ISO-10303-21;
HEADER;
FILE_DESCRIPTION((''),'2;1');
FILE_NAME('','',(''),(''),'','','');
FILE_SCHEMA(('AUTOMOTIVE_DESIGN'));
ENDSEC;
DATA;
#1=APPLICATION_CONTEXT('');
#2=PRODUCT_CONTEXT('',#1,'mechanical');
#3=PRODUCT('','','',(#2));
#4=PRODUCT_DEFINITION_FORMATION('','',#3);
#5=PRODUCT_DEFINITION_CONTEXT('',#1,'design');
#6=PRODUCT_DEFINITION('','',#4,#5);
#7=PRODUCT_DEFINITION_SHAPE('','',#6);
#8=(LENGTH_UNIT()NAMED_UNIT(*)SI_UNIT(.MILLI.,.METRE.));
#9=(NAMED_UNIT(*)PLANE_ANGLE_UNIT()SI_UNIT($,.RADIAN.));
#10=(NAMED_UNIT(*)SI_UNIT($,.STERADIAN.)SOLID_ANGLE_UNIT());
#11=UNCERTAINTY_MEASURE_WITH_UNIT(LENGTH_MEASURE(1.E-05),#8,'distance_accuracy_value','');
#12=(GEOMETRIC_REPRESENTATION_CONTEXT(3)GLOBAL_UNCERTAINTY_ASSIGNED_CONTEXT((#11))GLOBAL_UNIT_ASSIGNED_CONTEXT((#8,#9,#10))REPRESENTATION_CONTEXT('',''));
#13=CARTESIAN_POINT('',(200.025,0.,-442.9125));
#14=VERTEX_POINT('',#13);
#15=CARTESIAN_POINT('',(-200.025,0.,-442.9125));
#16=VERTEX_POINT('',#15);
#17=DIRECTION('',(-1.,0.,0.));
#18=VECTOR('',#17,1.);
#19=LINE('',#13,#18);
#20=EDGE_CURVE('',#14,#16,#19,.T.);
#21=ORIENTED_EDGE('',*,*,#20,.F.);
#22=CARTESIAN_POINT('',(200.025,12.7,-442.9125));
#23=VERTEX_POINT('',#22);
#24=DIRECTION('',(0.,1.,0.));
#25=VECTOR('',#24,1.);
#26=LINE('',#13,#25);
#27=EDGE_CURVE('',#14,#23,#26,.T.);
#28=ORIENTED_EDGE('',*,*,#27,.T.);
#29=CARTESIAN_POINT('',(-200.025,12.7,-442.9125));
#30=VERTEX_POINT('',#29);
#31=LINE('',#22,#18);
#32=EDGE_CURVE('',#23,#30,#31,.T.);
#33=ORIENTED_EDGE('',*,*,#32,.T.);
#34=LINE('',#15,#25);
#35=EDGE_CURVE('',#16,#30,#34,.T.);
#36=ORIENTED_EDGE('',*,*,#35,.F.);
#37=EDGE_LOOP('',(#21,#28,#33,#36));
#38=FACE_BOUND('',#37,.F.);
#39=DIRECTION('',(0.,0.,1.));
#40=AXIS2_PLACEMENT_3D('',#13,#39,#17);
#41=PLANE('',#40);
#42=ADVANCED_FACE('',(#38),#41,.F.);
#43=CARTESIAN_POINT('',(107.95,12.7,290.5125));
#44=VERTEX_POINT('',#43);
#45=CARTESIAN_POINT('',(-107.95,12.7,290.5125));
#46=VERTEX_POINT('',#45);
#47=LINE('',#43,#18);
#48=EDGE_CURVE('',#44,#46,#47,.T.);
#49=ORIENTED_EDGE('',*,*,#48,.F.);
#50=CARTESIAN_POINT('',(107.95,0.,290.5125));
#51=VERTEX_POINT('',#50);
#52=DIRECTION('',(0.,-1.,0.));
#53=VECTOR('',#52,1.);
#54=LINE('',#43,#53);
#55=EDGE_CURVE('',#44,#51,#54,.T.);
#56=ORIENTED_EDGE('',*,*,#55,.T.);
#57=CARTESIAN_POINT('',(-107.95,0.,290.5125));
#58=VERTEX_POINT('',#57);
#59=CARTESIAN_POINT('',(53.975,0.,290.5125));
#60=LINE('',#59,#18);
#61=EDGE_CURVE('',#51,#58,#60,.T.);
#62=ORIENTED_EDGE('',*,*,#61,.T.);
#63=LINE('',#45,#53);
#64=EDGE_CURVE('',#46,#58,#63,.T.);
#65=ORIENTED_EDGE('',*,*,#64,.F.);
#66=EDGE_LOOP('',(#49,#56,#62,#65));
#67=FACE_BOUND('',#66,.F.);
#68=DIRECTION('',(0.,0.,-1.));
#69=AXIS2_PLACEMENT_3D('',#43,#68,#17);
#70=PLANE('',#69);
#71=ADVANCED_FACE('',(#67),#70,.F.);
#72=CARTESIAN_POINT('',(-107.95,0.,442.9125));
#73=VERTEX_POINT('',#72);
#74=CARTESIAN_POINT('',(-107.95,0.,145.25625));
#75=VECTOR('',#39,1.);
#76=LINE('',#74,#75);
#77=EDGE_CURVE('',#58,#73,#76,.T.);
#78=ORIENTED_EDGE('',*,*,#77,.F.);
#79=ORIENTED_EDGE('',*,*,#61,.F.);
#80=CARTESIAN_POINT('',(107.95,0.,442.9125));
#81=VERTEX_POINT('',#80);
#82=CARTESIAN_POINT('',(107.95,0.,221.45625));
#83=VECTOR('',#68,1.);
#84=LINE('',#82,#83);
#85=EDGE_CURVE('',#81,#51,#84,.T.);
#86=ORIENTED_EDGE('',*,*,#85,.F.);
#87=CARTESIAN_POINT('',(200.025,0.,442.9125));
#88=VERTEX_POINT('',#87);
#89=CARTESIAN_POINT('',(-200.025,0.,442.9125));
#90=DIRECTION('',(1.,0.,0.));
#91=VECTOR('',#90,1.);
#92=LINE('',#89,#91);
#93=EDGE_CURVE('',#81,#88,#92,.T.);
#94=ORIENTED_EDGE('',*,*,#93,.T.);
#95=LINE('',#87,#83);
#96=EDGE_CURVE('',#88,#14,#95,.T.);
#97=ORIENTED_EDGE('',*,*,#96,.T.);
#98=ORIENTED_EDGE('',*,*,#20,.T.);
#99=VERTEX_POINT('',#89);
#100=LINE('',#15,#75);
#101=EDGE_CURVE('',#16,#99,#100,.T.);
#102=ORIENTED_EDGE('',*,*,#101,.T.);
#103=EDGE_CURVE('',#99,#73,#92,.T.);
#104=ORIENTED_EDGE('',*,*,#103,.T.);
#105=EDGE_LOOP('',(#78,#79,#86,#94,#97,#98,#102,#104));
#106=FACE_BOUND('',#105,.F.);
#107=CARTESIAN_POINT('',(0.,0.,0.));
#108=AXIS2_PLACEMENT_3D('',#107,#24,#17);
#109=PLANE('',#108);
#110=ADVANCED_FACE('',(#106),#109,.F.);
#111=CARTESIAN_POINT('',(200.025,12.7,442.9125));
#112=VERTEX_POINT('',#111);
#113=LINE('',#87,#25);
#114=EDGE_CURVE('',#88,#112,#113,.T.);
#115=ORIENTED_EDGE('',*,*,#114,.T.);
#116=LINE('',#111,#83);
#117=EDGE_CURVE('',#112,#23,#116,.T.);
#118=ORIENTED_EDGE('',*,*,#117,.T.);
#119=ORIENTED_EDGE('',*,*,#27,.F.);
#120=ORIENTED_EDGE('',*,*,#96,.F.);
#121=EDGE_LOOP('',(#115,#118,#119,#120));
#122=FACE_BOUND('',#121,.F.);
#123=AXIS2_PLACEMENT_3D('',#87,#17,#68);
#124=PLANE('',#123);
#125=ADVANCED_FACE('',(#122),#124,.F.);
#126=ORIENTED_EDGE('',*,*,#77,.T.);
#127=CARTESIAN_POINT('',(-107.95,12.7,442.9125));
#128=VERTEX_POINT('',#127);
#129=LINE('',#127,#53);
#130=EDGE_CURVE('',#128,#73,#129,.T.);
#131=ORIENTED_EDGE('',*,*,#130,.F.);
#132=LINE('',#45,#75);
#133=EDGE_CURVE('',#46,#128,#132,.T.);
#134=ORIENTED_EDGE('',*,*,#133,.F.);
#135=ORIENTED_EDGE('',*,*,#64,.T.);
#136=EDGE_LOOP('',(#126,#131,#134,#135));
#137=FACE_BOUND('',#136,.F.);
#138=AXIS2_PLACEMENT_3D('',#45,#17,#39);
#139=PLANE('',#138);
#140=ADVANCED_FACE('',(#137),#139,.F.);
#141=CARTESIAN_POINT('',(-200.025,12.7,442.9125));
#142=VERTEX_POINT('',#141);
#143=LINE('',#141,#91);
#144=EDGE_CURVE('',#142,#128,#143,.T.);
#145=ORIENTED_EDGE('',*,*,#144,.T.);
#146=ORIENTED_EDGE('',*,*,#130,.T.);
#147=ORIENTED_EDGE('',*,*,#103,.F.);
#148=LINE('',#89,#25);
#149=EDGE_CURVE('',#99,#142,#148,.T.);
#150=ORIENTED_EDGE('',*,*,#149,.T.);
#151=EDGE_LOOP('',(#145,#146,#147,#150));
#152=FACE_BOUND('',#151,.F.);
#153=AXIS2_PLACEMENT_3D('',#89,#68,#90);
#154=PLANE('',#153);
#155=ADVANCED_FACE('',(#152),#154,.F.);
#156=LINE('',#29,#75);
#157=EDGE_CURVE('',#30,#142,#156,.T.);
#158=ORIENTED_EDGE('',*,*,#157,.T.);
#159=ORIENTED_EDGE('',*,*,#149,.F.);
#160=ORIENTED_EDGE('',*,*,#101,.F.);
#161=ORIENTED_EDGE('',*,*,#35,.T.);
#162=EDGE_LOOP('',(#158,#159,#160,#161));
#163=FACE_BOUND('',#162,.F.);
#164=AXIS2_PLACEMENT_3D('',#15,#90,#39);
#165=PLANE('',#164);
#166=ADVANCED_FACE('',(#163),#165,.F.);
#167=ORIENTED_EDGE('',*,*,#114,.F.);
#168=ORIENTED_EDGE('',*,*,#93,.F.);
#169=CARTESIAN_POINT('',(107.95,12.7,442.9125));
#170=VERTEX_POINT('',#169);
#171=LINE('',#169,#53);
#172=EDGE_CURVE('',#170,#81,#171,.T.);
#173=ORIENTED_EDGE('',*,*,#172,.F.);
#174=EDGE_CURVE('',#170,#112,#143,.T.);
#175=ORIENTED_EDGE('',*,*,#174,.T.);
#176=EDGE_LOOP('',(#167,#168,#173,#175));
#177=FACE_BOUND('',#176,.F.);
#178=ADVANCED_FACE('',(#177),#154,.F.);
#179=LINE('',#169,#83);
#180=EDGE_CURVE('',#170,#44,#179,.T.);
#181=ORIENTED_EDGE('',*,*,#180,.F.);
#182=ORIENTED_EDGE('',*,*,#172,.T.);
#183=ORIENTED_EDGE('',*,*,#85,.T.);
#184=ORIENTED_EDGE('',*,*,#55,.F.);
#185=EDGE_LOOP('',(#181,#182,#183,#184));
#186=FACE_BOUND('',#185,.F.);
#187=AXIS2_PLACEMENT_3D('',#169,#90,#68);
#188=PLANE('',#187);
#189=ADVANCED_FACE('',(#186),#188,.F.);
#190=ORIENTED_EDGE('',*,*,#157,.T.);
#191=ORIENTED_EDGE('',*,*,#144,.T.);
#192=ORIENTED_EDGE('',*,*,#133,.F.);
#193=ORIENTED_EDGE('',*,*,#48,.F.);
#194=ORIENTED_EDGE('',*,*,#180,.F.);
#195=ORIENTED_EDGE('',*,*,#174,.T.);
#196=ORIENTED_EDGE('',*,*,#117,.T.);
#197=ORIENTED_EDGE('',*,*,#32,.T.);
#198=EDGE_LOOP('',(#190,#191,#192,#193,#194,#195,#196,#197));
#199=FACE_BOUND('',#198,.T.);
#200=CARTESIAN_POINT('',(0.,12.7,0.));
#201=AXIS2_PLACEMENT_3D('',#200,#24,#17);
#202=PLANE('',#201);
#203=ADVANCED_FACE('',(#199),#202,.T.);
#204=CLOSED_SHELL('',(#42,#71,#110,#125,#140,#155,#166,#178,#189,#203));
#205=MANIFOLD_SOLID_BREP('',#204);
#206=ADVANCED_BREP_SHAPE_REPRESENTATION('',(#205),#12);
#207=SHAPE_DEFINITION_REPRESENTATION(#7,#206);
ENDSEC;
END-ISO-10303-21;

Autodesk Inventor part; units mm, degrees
ref_plane "YZ Plane" through (0, 0, 0) normal (1, 0, 0) x (0, 1, 0)
ref_plane "XZ Plane" through (0, 0, 0) normal (0, 1, 0) x (-1, 0, 0)
ref_plane "XY Plane" through (0, 0, 0) normal (0, 0, 1) x (1, 0, 0)
sketch "Sketch1" plane through (0, 0, 0) normal (0, 1, 0) x (-1, 0, 0)
  line L0 (200.025, 442.9125) -> (-200.025, 442.9125)
  line L1 (-200.025, 442.9125) -> (-200.025, -442.9125)
  line L2 (-200.025, -442.9125) -> (200.025, -442.9125)
  line L3 (200.025, -442.9125) -> (200.025, 442.9125)
  line L4 (200.025, 442.9125) -> (-200.025, -442.9125) construction
  line L5 (-200.025, 442.9125) -> (200.025, -442.9125) construction
  point P0 (0, 0)
  dimension "d0" = 400.05
  dimension "d1" = 885.825
extrude "Extrusion1" add sketch "Sketch1" along normal blind 12.7
sketch "Sketch7" plane through (0, 12.7, 0) normal (0, 1, 0) x (1, 0, 0)
  line L0 (-200.025, -442.9125) -> (200.025, -442.9125) projected
  line L1 (-107.95, -442.9125) -> (107.95, -442.9125)
  line L2 (107.95, -442.9125) -> (107.95, -290.5125)
  line L3 (107.95, -290.5125) -> (-107.95, -290.5125)
  line L4 (-107.95, -290.5125) -> (-107.95, -442.9125)
  point P0 (0, 0)
  dimension "d28" = 107.95
  dimension "d29" = 107.95
  dimension "d30" = 152.4
extrude "Extrusion5" cut sketch "Sketch7" against normal through all
properties part number "2020 Wood BaseV04" material "Wood (Birch)"
